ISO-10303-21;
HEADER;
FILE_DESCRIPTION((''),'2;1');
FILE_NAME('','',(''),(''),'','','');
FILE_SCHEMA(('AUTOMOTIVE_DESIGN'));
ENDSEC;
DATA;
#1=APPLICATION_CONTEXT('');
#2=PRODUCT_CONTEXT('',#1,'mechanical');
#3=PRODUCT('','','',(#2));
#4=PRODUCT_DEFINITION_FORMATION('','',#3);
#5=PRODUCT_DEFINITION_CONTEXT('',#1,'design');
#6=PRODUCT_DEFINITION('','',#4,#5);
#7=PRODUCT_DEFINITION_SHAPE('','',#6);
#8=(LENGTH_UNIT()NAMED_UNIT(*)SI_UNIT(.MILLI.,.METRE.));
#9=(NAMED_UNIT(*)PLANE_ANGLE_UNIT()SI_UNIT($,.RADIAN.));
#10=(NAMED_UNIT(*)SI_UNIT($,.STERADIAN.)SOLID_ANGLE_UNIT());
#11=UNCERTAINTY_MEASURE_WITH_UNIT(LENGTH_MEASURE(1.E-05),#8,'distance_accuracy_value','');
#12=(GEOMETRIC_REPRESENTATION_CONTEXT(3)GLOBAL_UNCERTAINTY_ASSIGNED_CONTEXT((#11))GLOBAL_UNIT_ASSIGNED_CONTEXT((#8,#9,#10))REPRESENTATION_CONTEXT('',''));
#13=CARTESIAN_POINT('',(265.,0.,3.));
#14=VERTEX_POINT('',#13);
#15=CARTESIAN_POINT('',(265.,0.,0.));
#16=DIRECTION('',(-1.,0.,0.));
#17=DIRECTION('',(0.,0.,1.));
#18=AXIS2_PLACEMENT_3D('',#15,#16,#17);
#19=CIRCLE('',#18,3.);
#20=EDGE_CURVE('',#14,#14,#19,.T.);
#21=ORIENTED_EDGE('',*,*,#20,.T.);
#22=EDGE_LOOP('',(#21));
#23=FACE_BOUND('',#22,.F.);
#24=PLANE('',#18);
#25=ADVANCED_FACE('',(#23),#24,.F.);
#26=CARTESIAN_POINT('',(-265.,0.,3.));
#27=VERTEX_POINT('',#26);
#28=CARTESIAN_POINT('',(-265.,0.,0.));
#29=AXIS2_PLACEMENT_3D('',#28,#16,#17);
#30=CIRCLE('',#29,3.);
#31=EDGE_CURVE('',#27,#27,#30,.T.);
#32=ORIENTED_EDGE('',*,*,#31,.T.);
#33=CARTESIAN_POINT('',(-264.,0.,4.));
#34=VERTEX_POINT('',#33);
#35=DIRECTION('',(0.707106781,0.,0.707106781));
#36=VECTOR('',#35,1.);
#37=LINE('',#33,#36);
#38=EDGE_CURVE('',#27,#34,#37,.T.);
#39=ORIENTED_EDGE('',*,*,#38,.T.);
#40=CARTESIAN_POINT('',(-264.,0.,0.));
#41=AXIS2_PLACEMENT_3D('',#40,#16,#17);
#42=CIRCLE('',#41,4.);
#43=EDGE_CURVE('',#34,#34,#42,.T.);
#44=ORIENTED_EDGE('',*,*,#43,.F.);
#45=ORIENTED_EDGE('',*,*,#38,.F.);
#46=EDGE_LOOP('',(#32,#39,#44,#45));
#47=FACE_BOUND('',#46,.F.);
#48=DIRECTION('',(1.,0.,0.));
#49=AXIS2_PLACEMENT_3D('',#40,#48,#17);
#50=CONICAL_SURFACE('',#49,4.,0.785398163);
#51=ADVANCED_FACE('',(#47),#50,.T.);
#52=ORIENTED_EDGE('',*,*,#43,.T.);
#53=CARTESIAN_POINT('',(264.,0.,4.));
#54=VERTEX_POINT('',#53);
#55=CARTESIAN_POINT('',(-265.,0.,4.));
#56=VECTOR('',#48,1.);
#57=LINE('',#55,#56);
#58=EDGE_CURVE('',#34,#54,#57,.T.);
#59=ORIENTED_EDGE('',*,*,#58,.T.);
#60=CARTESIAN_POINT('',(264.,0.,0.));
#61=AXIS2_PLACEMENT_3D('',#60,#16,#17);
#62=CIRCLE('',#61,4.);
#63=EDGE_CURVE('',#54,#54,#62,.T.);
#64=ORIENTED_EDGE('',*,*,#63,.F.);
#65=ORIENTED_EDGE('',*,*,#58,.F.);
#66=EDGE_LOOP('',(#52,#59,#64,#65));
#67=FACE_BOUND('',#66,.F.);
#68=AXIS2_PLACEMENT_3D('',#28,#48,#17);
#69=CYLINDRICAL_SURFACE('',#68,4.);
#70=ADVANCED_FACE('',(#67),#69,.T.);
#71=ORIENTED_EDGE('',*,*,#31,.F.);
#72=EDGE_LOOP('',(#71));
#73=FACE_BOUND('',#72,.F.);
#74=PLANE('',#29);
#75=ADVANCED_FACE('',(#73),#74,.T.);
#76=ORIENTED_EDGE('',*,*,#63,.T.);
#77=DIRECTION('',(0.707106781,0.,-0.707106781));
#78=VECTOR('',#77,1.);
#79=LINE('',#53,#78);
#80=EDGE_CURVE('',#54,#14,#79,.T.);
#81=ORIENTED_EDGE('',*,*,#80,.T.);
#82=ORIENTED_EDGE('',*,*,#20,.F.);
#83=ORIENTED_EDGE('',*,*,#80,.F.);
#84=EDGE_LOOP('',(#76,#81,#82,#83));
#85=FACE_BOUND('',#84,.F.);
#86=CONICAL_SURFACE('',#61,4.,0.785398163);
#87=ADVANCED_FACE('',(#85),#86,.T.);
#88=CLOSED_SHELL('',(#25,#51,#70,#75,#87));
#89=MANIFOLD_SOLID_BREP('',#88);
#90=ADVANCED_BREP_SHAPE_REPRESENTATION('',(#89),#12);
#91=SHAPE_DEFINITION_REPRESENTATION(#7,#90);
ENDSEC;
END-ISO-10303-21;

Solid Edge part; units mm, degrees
sketch "Sketch1" plane through (0, 0, 0) normal (0, -1, 0) x (1, 0, 0)
  line L0 (-265, 0) -> (-265, 4)
  line L1 (-265, 4) -> (265, 4)
  line L2 (265, 4) -> (265, 0)
  dimension "D1" = 530
revolve "RevolvedProtrusion1" add sketch "Sketch1" angle 360 about axis through (50, 0, 0) along (-1, 0, 0)
chamfer "Chamfer1" distance 1 angle 45 2 edges at (265, 0, -4) (-265, 0, -4)
cosmetic_thread "Thread1" size "Tr 8 x 2"
properties material "Stainless steel"
